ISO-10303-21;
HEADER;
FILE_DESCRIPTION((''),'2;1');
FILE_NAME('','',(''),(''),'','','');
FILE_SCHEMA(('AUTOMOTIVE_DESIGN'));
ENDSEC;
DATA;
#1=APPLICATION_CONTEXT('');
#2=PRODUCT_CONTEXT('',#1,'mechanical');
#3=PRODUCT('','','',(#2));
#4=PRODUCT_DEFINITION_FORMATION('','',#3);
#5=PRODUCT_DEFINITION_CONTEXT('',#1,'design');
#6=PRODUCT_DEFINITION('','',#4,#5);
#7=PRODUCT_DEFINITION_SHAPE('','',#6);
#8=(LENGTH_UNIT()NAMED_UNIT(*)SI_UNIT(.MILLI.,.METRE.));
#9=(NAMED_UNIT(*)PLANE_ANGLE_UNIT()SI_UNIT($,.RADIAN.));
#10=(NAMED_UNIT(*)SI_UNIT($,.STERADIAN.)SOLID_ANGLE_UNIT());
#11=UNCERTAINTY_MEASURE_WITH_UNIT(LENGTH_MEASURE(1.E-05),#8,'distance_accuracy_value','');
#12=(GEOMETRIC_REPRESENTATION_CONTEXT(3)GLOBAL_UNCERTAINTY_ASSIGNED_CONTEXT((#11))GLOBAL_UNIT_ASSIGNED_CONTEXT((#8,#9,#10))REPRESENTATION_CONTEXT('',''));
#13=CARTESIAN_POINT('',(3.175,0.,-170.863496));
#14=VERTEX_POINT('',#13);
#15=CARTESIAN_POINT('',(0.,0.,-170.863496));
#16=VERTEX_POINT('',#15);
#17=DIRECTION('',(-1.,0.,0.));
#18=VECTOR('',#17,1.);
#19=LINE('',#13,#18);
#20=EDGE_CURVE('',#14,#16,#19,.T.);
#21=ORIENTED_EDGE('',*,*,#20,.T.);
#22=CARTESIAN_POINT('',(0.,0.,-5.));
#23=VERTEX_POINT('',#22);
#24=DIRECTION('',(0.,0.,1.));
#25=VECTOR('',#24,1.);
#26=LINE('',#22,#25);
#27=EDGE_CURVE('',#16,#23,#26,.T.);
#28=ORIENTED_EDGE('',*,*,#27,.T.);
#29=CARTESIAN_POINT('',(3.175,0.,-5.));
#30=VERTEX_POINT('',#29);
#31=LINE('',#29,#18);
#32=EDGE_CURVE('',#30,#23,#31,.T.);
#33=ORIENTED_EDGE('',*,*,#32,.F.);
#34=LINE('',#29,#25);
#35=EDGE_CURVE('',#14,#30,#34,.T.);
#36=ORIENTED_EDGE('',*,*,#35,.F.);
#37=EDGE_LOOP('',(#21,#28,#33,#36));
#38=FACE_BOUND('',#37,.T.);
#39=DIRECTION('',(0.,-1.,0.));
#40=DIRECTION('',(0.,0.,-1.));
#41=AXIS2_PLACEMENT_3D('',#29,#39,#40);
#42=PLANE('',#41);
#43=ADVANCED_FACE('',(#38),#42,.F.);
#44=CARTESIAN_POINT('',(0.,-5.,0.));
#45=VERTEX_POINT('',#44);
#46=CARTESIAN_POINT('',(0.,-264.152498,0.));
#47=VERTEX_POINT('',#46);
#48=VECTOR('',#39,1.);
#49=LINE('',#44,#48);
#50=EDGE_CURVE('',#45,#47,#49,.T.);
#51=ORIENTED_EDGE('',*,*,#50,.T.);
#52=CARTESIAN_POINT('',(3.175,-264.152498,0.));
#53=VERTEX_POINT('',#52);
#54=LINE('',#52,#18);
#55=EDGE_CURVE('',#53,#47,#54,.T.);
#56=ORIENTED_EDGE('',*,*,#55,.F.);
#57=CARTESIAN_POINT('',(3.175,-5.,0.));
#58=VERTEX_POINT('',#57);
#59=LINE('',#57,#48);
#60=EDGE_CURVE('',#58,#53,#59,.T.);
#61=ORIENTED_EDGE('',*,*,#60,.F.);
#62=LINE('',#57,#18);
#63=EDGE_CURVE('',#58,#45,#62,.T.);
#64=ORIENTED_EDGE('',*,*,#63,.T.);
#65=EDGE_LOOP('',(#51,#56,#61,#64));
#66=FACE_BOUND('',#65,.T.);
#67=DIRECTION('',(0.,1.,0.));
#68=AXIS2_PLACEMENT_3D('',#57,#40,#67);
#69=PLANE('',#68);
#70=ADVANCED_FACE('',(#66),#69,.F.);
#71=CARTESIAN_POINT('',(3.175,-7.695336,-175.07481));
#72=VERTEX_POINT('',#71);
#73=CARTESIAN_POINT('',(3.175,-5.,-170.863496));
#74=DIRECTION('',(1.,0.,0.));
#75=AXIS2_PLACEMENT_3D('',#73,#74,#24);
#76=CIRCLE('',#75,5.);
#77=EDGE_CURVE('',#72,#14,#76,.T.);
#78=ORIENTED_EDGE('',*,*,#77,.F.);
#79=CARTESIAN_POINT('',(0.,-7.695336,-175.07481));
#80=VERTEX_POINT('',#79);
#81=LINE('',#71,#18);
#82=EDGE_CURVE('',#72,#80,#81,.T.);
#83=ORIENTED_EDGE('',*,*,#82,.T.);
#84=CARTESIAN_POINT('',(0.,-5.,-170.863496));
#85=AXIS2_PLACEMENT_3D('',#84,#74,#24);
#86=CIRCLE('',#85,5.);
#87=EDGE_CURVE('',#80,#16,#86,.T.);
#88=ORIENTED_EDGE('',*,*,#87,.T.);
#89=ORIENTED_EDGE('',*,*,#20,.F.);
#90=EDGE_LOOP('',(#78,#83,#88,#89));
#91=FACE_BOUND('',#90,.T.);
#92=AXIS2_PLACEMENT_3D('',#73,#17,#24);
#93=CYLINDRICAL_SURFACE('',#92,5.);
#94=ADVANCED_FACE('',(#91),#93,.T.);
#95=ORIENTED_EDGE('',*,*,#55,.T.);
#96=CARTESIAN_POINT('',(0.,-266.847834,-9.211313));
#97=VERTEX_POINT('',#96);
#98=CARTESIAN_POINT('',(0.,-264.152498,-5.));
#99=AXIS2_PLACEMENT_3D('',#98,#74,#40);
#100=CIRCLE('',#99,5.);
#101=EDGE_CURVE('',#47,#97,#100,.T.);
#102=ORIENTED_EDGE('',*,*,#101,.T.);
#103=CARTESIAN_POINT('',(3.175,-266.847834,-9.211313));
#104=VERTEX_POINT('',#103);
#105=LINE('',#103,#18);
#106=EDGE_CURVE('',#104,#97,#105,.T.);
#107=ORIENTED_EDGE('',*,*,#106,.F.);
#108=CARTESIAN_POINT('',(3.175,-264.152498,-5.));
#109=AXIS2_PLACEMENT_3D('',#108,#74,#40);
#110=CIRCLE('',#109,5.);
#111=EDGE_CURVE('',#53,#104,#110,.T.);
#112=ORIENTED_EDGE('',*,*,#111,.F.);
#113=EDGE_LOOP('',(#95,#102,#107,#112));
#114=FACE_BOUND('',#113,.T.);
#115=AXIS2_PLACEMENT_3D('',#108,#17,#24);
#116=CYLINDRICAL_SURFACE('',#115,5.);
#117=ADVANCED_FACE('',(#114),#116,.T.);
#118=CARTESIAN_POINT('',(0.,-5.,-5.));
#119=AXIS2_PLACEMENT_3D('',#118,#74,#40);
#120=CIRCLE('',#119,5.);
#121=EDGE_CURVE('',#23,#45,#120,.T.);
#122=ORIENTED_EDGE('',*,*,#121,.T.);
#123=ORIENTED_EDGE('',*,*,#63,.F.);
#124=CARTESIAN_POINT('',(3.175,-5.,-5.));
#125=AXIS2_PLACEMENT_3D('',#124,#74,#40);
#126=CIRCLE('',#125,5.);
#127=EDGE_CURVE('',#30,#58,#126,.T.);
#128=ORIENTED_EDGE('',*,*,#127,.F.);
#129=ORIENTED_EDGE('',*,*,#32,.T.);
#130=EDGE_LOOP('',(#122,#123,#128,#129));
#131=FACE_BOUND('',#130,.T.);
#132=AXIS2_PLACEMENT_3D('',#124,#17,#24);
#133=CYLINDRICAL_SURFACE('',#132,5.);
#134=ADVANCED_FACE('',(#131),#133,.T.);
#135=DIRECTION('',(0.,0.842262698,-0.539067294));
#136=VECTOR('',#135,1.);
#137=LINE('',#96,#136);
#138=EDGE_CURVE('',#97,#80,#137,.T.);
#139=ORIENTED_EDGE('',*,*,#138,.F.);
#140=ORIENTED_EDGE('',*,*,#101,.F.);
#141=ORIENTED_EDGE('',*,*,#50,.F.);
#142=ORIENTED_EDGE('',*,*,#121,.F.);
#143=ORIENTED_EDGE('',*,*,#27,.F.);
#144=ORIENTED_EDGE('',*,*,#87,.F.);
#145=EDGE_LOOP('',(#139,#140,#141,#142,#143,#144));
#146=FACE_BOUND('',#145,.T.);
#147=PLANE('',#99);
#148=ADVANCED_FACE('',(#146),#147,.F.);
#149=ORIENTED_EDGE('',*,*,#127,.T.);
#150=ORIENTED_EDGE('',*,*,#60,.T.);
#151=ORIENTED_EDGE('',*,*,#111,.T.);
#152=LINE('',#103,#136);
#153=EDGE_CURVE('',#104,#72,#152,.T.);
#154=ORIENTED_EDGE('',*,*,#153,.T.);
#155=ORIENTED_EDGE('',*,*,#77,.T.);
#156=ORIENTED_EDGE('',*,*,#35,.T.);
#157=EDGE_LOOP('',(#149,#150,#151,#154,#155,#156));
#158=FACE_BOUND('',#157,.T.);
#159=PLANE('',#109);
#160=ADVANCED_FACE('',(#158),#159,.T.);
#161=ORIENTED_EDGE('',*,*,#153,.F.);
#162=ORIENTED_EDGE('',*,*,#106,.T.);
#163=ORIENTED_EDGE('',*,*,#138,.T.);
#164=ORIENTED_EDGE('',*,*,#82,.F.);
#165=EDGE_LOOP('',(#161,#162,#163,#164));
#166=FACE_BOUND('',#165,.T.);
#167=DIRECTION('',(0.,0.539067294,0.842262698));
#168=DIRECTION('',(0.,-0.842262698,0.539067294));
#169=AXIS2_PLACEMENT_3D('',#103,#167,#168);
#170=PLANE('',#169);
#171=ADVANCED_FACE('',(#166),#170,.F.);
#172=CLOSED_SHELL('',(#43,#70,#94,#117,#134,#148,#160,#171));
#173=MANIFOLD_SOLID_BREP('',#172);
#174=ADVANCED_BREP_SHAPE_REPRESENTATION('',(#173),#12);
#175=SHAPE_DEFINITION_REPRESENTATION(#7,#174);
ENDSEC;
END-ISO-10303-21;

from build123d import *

# Parameters (mm, degrees)
BOSS_EXTRUDE1_DEPTH = 3.175


with BuildPart() as part:
    # Sketch1 → Boss-Extrude1 (new body)
    with BuildSketch(Plane(origin=(0, 0, 0), x_dir=(0, 0, -1), z_dir=(1, 0, 0))):
        with BuildLine():
            Line((5, 0), (170.863496051, 0))
            ThreePointArc((170.863496051, 0), (175.249649397, -2.599654436), (175.074809542, -7.695336469))
            Line((175.074809542, -7.695336469), (9.211313491, -266.84783441))
            ThreePointArc((9.211313491, -266.84783441), (3.595821852, -268.951277341), (0, -264.152497941))
            Line((0, -264.152497941), (0, -5))
            ThreePointArc((0, -5), (1.464466094, -1.464466094), (5, 0))
        make_face()
    extrude(amount=BOSS_EXTRUDE1_DEPTH)


solid = part.part
